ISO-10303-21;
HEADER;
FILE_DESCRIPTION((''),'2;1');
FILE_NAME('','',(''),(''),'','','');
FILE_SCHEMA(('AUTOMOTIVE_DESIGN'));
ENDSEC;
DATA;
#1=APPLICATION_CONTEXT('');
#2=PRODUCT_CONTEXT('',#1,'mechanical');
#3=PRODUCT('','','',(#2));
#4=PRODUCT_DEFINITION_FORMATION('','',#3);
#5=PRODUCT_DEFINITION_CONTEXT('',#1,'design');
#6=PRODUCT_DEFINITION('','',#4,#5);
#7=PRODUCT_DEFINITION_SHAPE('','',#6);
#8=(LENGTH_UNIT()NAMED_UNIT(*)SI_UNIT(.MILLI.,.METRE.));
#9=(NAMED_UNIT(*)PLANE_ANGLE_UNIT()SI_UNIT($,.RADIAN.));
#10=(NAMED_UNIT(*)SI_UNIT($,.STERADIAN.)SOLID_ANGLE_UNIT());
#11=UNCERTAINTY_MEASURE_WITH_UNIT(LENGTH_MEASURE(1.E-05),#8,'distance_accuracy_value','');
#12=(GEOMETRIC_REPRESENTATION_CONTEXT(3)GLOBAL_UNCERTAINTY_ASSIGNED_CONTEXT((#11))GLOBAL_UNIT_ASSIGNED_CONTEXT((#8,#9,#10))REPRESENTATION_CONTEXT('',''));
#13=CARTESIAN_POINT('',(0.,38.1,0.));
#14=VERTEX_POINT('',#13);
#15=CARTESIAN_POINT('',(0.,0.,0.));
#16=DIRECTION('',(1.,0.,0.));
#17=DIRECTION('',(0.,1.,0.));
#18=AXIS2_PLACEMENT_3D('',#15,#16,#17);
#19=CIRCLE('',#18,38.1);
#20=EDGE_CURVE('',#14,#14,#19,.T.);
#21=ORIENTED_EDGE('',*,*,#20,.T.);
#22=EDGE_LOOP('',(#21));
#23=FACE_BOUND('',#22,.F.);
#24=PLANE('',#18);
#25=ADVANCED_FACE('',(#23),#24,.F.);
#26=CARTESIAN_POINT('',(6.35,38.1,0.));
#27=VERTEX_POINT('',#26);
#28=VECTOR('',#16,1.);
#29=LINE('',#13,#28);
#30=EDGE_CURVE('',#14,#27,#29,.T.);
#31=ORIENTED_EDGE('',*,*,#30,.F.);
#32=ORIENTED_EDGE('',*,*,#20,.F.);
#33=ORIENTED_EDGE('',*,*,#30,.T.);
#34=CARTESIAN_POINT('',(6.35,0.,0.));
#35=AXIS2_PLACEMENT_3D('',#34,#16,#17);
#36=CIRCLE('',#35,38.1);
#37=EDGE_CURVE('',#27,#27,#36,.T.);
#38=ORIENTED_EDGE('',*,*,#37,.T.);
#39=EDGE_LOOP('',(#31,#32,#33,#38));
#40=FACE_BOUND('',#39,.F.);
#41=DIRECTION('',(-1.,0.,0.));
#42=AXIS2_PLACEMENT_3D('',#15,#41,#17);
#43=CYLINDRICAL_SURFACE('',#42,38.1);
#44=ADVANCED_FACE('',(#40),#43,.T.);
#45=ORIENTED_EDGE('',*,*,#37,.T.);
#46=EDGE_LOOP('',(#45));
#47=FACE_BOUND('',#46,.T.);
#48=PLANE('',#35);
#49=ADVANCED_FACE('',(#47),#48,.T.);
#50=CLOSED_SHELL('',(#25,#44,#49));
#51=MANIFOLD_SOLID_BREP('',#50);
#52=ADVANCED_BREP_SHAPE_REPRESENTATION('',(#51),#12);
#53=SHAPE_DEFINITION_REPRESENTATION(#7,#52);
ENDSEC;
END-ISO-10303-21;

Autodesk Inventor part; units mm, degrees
ref_plane "YZ Plane" through (0, 0, 0) normal (1, 0, 0) x (0, 1, 0)
ref_plane "XZ Plane" through (0, 0, 0) normal (0, 1, 0) x (-1, 0, 0)
ref_plane "XY Plane" through (0, 0, 0) normal (0, 0, 1) x (1, 0, 0)
sketch "Sketch1" plane through (0, 0, 0) normal (1, 0, 0) x (0, 1, 0)
  circle A0 centre (0, 0) radius 38.1
  dimension "d0" = 76.2
extrude "Extrusion1" add sketch "Sketch1" along normal blind 6.35
properties part number "SampleMagnet"
